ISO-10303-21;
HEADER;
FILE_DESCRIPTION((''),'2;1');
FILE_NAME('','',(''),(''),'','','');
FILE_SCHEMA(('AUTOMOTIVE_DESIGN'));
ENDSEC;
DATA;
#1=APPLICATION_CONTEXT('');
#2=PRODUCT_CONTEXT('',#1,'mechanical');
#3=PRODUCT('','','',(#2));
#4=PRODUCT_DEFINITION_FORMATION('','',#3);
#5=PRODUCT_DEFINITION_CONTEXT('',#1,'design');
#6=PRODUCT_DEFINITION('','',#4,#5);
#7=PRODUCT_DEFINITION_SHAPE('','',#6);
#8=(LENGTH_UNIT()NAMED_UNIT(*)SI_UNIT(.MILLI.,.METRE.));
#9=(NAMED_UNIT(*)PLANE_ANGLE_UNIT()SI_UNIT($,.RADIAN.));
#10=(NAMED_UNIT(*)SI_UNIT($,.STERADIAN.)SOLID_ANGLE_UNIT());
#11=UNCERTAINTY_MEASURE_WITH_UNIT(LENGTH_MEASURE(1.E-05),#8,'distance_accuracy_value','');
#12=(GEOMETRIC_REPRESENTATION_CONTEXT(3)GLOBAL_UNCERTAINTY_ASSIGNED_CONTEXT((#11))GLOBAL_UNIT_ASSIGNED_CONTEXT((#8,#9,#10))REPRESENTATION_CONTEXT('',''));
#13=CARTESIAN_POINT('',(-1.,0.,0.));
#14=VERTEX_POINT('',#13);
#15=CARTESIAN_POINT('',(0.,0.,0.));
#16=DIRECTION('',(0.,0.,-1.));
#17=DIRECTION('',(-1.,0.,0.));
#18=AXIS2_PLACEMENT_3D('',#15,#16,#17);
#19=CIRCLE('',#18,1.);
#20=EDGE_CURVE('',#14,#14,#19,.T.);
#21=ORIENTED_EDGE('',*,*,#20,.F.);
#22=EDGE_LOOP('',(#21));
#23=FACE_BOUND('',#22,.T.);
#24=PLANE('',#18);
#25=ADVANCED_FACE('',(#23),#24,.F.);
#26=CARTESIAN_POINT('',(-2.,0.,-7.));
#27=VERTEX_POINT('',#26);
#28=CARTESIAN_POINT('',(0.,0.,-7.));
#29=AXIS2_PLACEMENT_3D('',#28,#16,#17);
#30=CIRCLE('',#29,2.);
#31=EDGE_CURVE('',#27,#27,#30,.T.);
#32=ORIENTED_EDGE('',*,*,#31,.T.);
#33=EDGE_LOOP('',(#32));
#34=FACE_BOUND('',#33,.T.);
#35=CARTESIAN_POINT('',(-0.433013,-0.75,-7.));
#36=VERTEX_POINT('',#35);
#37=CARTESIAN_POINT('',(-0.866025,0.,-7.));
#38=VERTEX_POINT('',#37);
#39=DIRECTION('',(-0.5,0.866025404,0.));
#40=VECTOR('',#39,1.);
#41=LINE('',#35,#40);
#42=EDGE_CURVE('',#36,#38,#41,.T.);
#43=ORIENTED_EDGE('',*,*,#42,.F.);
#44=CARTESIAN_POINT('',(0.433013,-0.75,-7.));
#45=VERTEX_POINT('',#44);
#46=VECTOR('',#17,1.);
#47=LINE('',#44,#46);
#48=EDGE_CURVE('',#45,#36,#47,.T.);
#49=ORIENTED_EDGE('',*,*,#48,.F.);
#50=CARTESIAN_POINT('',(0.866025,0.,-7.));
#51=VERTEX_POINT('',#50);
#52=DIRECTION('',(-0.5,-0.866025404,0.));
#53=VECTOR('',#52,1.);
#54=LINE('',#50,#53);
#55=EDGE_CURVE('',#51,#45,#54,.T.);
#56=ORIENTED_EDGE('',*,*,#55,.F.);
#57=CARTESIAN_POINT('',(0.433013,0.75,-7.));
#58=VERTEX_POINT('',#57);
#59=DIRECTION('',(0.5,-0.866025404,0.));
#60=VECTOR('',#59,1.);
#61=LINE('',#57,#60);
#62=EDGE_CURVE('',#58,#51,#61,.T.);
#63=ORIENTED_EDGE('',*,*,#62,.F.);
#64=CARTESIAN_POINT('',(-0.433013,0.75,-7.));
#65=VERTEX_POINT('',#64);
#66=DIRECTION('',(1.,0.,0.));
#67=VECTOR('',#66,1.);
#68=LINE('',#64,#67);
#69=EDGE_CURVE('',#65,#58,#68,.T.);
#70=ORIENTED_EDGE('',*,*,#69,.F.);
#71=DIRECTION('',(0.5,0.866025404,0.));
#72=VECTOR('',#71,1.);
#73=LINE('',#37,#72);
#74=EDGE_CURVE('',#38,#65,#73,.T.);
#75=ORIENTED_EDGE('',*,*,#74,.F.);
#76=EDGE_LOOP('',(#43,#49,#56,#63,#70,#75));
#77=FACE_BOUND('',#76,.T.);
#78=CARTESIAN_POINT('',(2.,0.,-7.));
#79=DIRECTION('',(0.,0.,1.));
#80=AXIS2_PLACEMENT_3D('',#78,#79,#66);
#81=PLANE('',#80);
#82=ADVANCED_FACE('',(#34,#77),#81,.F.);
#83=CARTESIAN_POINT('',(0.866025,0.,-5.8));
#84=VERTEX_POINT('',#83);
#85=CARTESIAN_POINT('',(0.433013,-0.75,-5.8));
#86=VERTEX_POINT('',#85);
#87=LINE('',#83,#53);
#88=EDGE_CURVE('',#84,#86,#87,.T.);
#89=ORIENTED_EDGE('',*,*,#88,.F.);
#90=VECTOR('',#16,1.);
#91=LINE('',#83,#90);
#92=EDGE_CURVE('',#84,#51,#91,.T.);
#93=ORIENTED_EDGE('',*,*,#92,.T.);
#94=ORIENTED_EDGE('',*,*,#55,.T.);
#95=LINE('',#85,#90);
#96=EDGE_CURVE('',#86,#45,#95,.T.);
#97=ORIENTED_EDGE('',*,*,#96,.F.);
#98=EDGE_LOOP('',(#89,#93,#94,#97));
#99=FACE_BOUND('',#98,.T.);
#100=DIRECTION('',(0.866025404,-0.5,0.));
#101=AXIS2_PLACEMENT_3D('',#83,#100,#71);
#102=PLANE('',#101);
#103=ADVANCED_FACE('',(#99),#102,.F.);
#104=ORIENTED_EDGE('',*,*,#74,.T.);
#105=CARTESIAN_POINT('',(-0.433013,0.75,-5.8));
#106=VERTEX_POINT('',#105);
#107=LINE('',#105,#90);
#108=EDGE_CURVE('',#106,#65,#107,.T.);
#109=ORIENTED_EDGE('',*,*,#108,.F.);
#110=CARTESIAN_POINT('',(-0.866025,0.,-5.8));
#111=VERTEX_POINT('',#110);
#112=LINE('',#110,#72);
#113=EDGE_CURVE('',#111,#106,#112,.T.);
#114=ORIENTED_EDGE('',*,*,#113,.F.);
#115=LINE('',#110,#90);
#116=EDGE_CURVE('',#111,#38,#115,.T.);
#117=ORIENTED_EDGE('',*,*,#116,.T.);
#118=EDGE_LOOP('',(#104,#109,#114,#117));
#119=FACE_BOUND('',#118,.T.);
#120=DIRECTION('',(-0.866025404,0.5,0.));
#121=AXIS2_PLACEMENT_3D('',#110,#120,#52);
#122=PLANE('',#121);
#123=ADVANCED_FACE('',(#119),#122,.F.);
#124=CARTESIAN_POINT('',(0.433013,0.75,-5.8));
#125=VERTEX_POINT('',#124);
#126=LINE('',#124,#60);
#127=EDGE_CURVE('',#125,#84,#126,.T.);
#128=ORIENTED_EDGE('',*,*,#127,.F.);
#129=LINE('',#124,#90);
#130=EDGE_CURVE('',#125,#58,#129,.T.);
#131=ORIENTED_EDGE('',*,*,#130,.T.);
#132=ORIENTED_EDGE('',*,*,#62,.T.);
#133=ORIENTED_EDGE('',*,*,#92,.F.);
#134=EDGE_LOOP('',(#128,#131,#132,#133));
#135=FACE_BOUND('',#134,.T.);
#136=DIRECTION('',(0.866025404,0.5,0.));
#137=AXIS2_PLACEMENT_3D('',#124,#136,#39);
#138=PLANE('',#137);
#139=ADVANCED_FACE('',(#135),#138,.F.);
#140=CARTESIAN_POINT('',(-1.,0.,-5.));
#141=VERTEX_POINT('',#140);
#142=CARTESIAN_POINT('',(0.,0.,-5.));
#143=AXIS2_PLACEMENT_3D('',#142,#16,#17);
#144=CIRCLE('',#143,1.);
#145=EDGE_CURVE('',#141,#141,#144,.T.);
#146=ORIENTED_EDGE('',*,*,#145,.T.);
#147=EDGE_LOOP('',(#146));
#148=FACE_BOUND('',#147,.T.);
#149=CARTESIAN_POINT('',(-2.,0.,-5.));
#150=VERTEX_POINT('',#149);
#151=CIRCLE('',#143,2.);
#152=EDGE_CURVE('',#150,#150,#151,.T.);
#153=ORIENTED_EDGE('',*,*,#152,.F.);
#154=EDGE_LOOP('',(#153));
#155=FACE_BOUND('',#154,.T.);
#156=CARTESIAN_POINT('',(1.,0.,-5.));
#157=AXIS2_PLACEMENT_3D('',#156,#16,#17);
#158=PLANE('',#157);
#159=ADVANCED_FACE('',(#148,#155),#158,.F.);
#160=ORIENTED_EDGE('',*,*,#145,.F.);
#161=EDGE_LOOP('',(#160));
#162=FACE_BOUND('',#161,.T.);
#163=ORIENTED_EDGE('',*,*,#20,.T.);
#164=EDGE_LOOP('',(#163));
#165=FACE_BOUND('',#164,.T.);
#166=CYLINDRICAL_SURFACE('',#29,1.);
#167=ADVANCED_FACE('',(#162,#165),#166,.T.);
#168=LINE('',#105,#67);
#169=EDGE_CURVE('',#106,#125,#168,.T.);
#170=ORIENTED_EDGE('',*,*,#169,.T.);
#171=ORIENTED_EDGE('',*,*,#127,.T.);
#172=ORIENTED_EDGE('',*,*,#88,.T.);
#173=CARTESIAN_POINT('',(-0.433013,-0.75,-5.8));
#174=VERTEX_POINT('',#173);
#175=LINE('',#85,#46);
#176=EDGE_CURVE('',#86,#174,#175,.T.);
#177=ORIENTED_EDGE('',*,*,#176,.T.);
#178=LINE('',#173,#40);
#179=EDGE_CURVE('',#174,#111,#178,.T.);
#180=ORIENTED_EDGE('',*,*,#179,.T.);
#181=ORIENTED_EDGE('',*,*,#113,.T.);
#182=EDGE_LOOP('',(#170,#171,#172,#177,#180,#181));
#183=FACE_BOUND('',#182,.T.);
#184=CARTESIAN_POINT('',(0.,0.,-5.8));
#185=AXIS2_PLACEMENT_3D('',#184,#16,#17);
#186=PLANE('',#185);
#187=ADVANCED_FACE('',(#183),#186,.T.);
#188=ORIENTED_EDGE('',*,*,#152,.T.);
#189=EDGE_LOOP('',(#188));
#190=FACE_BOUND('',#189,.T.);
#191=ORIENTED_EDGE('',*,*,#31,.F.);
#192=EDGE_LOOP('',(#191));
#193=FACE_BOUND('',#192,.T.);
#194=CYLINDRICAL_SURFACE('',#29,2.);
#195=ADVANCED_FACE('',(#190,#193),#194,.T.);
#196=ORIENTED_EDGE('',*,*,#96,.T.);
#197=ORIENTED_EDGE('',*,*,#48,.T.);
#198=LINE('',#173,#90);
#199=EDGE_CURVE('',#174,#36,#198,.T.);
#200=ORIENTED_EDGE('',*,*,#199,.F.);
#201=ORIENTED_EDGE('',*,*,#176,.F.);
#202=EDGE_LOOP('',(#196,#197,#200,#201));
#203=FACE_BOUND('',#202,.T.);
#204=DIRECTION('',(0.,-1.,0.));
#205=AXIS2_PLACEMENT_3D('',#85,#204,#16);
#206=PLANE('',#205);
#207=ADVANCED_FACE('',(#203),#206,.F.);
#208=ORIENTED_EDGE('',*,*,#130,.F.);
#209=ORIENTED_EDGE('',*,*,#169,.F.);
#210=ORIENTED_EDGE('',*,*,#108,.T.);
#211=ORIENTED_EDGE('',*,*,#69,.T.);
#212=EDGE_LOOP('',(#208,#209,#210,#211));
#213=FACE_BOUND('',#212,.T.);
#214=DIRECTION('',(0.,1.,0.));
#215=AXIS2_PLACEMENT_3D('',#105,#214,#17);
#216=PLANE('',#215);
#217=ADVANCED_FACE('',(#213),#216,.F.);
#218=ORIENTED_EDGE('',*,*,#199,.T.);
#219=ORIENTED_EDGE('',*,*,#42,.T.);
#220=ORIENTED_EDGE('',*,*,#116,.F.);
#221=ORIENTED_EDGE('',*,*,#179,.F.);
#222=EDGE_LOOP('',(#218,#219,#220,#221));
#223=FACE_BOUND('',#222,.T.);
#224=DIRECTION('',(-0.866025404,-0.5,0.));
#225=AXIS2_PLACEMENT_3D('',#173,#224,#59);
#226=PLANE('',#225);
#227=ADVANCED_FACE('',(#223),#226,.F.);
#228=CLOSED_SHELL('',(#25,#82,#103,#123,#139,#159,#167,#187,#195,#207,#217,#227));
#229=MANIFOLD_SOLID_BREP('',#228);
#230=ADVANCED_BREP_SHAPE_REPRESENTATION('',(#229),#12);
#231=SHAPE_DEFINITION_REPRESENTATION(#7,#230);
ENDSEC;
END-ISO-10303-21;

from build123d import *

# Parameters (mm, degrees)
CUT_EXTRUDE1_DEPTH = 1.2


with BuildPart() as part:
    # Sketch1 → Revolve1 (revolve)
    with BuildSketch(Plane(origin=(0, 0, 0), x_dir=(1, 0, 0), z_dir=(0, 1, 0)), mode=Mode.PRIVATE) as revolve1_sk:
        Polygon((0, 0), (1, 0), (1, 5), (2, 5), (2, 7), (0, 7), align=None)
    revolve(revolve1_sk.sketch.rotate(Axis((0, 0, -7), (0, 0, 1)), 180), axis=Axis((0, 0, -7), (0, 0, 1)))

    # Sketch2 → Cut-Extrude1 (cut)
    with BuildSketch(Plane(origin=(0, 0, -7), x_dir=(-1, 0, 0), z_dir=(0, 0, -1))):
        Polygon((0.433012702, 0.75), (-0.433012702, 0.75), (-0.866025404, 0), (-0.433012702, -0.75), (0.433012702, -0.75), (0.866025404, 0), align=None)
    extrude(amount=-CUT_EXTRUDE1_DEPTH, mode=Mode.SUBTRACT)


solid = part.part
